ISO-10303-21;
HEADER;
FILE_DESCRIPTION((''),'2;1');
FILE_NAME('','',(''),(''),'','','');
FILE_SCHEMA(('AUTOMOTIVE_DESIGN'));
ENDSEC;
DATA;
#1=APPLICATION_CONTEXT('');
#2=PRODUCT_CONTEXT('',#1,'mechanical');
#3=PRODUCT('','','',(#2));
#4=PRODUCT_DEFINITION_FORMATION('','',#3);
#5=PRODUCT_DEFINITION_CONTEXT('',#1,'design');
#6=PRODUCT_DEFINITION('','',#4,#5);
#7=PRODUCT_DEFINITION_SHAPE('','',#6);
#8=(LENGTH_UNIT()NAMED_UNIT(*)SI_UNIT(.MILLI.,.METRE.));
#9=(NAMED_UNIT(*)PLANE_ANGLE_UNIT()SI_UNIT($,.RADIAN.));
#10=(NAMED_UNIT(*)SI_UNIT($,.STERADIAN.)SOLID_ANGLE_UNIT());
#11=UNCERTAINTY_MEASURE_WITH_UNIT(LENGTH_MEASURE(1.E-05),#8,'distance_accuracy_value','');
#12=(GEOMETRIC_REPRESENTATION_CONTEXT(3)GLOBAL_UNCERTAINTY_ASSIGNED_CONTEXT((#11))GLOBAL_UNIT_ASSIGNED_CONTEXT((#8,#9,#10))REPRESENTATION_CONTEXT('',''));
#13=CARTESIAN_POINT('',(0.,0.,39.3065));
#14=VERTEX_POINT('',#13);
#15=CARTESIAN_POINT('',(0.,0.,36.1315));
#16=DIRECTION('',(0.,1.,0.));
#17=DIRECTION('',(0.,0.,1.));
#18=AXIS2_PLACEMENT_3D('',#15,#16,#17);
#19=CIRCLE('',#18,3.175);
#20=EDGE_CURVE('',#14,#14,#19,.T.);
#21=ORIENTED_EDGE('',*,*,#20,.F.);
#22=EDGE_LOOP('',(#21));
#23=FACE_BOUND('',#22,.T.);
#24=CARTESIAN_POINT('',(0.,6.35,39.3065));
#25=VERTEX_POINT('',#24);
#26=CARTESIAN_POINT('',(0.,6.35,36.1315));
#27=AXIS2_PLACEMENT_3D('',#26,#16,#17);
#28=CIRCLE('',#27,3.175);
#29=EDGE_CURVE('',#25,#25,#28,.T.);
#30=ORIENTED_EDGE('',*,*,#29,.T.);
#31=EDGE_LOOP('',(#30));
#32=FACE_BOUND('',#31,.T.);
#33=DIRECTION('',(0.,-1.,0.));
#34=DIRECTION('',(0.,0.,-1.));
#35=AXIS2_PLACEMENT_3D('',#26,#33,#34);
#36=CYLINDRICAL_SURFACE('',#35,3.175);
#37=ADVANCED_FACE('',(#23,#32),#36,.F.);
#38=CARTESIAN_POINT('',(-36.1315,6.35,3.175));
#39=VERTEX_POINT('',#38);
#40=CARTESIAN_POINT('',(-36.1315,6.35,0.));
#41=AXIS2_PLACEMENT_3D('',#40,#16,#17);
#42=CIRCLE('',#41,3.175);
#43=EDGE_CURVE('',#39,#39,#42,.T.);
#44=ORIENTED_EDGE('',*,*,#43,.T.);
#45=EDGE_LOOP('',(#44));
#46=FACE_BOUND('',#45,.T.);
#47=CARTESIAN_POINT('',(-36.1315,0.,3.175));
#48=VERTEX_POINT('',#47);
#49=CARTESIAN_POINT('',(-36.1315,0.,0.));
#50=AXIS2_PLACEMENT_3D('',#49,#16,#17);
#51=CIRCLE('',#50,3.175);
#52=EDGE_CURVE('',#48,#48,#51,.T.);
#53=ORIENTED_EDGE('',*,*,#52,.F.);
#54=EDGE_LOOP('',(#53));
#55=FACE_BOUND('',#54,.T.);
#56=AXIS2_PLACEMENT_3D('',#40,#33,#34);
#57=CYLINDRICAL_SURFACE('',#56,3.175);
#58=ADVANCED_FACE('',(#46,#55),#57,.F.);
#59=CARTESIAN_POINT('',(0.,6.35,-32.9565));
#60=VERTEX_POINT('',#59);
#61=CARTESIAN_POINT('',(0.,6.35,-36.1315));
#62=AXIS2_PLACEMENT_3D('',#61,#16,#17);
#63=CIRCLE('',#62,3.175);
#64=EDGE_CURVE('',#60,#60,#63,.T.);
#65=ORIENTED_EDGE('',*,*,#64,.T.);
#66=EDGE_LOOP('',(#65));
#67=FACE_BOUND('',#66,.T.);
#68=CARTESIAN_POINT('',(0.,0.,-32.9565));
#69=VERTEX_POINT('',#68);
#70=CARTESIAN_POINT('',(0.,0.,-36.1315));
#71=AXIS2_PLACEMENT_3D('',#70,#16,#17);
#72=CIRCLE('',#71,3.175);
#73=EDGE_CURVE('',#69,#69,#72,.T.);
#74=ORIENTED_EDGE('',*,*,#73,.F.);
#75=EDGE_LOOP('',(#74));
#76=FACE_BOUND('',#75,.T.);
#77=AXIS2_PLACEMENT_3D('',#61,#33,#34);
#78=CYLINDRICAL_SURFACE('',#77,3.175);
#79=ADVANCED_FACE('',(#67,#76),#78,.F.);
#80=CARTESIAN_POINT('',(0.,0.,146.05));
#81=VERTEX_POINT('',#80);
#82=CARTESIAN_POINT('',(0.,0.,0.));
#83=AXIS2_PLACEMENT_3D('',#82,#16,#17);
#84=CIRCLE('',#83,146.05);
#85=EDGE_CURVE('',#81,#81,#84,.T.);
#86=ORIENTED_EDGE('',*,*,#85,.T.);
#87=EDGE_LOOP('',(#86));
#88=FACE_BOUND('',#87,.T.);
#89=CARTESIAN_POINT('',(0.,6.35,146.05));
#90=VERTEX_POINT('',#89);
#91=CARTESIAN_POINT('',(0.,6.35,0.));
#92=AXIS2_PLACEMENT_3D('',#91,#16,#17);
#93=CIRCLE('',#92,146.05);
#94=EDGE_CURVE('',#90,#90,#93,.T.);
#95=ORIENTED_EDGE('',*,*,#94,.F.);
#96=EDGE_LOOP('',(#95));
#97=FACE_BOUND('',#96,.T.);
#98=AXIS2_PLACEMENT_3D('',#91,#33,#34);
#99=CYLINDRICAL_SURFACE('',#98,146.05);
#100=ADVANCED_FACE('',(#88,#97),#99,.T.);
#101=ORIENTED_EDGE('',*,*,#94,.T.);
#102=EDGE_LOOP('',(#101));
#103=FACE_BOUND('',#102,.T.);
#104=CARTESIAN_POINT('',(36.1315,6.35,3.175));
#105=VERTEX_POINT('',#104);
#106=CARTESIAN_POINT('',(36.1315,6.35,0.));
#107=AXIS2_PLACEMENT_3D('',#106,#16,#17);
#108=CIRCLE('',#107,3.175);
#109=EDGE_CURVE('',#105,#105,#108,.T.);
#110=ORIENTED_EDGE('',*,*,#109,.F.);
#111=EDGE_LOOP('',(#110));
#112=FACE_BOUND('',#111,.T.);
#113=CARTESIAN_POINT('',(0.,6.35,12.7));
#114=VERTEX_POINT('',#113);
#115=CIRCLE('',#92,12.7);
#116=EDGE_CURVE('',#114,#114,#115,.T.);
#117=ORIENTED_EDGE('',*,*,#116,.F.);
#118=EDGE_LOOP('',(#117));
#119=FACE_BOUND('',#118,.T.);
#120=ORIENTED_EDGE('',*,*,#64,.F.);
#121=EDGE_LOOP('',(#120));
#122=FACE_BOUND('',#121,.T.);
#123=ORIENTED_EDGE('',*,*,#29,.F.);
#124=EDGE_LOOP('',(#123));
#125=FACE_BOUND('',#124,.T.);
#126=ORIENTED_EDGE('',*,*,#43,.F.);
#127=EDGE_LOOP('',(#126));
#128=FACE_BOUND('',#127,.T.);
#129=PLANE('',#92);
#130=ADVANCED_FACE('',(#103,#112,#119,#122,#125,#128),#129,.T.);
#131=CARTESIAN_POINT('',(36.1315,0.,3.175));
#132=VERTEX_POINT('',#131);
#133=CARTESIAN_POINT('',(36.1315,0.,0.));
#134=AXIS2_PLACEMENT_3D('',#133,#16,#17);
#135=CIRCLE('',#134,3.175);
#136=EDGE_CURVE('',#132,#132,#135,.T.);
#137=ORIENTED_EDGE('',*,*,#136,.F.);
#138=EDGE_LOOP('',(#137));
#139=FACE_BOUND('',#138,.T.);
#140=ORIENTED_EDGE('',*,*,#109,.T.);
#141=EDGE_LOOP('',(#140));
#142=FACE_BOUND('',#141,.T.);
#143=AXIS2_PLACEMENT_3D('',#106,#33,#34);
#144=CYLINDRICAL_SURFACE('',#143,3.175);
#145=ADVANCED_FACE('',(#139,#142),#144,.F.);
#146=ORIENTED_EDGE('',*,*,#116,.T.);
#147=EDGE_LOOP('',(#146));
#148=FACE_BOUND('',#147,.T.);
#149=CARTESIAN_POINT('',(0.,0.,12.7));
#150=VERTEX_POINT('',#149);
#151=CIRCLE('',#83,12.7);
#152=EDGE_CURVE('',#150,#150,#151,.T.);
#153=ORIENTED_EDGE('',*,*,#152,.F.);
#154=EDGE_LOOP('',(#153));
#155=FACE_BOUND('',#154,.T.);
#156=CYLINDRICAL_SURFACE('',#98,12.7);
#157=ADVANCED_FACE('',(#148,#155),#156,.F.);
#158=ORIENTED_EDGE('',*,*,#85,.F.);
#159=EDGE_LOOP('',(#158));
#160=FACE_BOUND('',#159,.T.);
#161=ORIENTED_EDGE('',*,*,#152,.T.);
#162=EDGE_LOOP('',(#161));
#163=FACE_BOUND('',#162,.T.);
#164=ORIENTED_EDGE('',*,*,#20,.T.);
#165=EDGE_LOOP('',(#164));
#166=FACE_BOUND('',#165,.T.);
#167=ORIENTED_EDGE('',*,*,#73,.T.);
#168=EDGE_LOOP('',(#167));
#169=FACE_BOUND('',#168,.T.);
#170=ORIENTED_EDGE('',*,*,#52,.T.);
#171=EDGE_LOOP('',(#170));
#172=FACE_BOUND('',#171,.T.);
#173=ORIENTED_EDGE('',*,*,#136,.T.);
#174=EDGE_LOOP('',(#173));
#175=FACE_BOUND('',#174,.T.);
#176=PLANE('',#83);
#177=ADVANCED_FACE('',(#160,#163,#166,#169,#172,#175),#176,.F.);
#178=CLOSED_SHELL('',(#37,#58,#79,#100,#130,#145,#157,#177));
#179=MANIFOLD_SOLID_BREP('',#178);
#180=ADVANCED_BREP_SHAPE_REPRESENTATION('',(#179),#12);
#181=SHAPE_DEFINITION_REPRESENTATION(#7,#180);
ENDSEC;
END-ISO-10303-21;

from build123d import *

# Parameters (mm, degrees)
SKETCH1_R           = 146.05
SKETCH1_R_2         = 12.7
SKETCH1_R_3         = 3.175
BOSS_EXTRUDE1_DEPTH = 6.35


with BuildPart() as part:
    # Sketch1 → Boss-Extrude1 (new body)
    with BuildSketch(Plane(origin=(0, 0, 0), x_dir=(1, 0, 0), z_dir=(0, 1, 0))):
        Circle(SKETCH1_R)
        Circle(SKETCH1_R_2, mode=Mode.SUBTRACT)
        with Locations((0, 36.1315)):
            Circle(SKETCH1_R_3, mode=Mode.SUBTRACT)
        with Locations((36.1315, 0)):
            Circle(SKETCH1_R_3, mode=Mode.SUBTRACT)
        with Locations((0, -36.1315)):
            Circle(SKETCH1_R_3, mode=Mode.SUBTRACT)
        with Locations((-36.1315, 0)):
            Circle(SKETCH1_R_3, mode=Mode.SUBTRACT)
    extrude(amount=BOSS_EXTRUDE1_DEPTH)


solid = part.part
